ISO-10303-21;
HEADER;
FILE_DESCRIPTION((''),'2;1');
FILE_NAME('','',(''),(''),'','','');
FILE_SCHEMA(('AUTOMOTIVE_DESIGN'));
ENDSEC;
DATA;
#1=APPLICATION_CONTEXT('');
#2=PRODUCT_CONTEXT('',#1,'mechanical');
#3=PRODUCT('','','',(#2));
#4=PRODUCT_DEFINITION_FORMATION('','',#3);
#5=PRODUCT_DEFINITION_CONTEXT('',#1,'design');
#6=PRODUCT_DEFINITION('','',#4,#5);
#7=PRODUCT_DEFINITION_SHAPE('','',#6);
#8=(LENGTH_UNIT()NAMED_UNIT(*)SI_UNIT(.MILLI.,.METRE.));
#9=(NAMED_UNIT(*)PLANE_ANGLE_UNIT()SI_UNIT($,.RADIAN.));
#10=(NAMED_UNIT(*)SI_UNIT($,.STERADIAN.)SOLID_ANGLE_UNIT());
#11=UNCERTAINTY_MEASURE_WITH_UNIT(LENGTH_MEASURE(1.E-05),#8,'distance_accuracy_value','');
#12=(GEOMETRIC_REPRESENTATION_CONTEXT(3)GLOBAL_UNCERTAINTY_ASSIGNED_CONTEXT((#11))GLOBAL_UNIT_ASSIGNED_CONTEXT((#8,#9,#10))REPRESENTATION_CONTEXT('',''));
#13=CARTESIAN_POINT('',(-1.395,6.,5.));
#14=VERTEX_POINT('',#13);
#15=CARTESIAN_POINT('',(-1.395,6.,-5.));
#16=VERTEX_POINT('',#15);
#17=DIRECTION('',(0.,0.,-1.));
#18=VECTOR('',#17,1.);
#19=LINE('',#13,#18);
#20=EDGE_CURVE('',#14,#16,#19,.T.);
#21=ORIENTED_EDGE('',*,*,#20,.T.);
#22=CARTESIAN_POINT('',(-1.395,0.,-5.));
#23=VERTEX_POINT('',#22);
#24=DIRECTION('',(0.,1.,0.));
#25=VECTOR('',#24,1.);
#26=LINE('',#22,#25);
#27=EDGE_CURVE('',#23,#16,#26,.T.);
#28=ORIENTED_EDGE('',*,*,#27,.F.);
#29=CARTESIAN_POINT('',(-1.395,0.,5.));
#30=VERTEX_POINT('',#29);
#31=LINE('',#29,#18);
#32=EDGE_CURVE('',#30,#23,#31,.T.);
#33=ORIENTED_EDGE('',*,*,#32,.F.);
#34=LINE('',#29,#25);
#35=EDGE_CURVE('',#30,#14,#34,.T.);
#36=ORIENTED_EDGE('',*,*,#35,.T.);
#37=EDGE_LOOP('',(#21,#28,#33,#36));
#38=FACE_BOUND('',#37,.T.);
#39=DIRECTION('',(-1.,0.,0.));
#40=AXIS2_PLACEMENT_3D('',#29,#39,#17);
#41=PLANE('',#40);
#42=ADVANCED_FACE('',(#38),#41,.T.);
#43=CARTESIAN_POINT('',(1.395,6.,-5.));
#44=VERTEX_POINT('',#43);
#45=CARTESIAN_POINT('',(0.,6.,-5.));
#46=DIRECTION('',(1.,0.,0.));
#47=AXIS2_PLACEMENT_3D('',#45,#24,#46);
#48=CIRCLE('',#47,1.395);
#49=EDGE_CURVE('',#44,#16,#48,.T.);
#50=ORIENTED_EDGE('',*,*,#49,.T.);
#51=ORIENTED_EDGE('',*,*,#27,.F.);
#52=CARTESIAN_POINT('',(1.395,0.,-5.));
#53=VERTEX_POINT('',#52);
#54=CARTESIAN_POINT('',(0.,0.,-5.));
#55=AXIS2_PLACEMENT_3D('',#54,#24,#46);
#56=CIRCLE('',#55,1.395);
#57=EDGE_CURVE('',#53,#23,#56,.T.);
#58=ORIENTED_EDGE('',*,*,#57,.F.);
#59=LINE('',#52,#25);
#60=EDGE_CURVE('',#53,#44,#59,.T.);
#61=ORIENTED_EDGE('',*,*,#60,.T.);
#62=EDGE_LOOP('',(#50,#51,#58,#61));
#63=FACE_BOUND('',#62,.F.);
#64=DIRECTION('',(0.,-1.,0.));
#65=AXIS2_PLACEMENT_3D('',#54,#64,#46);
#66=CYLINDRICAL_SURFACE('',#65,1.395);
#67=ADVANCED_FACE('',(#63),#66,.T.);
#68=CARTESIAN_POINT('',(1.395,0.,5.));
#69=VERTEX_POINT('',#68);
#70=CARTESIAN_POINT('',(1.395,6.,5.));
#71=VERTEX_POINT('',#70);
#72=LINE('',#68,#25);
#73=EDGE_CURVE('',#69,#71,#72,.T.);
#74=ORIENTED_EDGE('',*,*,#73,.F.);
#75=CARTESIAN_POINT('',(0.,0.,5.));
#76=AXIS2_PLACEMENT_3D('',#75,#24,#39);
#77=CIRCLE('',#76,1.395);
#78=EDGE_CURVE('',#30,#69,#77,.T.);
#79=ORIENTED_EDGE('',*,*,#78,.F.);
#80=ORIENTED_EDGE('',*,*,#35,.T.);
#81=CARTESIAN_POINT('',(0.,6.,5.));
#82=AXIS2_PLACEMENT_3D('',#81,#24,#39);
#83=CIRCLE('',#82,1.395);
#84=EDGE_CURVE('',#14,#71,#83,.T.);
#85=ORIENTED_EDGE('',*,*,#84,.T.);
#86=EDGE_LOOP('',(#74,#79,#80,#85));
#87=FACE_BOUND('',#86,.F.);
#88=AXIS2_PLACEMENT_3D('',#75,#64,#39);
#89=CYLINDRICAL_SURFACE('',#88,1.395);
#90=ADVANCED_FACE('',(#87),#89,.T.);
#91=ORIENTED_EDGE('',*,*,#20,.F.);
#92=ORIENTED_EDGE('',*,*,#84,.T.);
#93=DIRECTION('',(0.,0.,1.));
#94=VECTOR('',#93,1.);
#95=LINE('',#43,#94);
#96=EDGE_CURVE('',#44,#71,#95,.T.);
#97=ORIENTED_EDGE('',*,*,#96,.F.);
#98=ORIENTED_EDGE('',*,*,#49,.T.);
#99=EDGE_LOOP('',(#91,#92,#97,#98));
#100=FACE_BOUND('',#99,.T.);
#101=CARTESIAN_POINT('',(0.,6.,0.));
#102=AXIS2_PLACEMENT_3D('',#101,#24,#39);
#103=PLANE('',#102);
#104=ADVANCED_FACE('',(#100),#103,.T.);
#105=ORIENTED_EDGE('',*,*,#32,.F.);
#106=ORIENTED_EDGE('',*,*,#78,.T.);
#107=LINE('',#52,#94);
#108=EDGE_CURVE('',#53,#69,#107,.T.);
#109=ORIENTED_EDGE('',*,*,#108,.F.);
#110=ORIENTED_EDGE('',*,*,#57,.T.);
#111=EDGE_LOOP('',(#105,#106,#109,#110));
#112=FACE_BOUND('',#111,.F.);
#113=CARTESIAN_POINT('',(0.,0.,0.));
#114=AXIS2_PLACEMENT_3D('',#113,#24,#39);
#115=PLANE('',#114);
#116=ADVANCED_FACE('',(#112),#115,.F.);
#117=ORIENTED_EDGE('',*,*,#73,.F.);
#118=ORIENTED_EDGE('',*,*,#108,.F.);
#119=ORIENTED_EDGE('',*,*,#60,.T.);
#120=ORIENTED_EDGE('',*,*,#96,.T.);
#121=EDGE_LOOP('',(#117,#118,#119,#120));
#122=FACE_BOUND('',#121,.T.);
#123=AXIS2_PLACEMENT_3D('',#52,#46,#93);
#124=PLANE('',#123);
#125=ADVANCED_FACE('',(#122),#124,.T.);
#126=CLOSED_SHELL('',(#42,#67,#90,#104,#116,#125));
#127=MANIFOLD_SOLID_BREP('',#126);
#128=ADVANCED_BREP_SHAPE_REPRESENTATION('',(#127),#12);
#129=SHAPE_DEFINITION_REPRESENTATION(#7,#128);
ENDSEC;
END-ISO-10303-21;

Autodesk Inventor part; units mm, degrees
ref_plane "YZ Plane" through (0, 0, 0) normal (1, 0, 0) x (0, 1, 0)
ref_plane "XZ Plane" through (0, 0, 0) normal (0, 1, 0) x (-1, 0, 0)
ref_plane "XY Plane" through (0, 0, 0) normal (0, 0, 1) x (1, 0, 0)
sketch "Sketch1" plane through (0, 0, 0) normal (0, 1, 0) x (-1, 0, 0)
  line L0 (0, 5) -> (0, -5) construction
  line L1 (-1.475, 5) -> (-1.475, -5) construction
  line L2 (1.475, -5) -> (1.475, 5) construction
  arc A0 (1.475, 5) -> (-1.475, 5) centre (0, 5) ccw construction
  arc A1 (-1.475, -5) -> (1.475, -5) centre (0, -5) ccw construction
  line L3 (1.395, 5) -> (1.395, -5)
  arc A2 (-1.395, -5) -> (1.395, -5) centre (0, -5) ccw
  line L4 (-1.395, -5) -> (-1.395, 5)
  arc A3 (1.395, 5) -> (-1.395, 5) centre (0, 5) ccw
  point P0 (0, 0)
  dimension "d0" = 5
  dimension "d1" = 2.95
  dimension "d4" = 0.08
extrude "Extrusion1" add sketch "Sketch1" along normal blind 6
properties part number "slot_6mm"
